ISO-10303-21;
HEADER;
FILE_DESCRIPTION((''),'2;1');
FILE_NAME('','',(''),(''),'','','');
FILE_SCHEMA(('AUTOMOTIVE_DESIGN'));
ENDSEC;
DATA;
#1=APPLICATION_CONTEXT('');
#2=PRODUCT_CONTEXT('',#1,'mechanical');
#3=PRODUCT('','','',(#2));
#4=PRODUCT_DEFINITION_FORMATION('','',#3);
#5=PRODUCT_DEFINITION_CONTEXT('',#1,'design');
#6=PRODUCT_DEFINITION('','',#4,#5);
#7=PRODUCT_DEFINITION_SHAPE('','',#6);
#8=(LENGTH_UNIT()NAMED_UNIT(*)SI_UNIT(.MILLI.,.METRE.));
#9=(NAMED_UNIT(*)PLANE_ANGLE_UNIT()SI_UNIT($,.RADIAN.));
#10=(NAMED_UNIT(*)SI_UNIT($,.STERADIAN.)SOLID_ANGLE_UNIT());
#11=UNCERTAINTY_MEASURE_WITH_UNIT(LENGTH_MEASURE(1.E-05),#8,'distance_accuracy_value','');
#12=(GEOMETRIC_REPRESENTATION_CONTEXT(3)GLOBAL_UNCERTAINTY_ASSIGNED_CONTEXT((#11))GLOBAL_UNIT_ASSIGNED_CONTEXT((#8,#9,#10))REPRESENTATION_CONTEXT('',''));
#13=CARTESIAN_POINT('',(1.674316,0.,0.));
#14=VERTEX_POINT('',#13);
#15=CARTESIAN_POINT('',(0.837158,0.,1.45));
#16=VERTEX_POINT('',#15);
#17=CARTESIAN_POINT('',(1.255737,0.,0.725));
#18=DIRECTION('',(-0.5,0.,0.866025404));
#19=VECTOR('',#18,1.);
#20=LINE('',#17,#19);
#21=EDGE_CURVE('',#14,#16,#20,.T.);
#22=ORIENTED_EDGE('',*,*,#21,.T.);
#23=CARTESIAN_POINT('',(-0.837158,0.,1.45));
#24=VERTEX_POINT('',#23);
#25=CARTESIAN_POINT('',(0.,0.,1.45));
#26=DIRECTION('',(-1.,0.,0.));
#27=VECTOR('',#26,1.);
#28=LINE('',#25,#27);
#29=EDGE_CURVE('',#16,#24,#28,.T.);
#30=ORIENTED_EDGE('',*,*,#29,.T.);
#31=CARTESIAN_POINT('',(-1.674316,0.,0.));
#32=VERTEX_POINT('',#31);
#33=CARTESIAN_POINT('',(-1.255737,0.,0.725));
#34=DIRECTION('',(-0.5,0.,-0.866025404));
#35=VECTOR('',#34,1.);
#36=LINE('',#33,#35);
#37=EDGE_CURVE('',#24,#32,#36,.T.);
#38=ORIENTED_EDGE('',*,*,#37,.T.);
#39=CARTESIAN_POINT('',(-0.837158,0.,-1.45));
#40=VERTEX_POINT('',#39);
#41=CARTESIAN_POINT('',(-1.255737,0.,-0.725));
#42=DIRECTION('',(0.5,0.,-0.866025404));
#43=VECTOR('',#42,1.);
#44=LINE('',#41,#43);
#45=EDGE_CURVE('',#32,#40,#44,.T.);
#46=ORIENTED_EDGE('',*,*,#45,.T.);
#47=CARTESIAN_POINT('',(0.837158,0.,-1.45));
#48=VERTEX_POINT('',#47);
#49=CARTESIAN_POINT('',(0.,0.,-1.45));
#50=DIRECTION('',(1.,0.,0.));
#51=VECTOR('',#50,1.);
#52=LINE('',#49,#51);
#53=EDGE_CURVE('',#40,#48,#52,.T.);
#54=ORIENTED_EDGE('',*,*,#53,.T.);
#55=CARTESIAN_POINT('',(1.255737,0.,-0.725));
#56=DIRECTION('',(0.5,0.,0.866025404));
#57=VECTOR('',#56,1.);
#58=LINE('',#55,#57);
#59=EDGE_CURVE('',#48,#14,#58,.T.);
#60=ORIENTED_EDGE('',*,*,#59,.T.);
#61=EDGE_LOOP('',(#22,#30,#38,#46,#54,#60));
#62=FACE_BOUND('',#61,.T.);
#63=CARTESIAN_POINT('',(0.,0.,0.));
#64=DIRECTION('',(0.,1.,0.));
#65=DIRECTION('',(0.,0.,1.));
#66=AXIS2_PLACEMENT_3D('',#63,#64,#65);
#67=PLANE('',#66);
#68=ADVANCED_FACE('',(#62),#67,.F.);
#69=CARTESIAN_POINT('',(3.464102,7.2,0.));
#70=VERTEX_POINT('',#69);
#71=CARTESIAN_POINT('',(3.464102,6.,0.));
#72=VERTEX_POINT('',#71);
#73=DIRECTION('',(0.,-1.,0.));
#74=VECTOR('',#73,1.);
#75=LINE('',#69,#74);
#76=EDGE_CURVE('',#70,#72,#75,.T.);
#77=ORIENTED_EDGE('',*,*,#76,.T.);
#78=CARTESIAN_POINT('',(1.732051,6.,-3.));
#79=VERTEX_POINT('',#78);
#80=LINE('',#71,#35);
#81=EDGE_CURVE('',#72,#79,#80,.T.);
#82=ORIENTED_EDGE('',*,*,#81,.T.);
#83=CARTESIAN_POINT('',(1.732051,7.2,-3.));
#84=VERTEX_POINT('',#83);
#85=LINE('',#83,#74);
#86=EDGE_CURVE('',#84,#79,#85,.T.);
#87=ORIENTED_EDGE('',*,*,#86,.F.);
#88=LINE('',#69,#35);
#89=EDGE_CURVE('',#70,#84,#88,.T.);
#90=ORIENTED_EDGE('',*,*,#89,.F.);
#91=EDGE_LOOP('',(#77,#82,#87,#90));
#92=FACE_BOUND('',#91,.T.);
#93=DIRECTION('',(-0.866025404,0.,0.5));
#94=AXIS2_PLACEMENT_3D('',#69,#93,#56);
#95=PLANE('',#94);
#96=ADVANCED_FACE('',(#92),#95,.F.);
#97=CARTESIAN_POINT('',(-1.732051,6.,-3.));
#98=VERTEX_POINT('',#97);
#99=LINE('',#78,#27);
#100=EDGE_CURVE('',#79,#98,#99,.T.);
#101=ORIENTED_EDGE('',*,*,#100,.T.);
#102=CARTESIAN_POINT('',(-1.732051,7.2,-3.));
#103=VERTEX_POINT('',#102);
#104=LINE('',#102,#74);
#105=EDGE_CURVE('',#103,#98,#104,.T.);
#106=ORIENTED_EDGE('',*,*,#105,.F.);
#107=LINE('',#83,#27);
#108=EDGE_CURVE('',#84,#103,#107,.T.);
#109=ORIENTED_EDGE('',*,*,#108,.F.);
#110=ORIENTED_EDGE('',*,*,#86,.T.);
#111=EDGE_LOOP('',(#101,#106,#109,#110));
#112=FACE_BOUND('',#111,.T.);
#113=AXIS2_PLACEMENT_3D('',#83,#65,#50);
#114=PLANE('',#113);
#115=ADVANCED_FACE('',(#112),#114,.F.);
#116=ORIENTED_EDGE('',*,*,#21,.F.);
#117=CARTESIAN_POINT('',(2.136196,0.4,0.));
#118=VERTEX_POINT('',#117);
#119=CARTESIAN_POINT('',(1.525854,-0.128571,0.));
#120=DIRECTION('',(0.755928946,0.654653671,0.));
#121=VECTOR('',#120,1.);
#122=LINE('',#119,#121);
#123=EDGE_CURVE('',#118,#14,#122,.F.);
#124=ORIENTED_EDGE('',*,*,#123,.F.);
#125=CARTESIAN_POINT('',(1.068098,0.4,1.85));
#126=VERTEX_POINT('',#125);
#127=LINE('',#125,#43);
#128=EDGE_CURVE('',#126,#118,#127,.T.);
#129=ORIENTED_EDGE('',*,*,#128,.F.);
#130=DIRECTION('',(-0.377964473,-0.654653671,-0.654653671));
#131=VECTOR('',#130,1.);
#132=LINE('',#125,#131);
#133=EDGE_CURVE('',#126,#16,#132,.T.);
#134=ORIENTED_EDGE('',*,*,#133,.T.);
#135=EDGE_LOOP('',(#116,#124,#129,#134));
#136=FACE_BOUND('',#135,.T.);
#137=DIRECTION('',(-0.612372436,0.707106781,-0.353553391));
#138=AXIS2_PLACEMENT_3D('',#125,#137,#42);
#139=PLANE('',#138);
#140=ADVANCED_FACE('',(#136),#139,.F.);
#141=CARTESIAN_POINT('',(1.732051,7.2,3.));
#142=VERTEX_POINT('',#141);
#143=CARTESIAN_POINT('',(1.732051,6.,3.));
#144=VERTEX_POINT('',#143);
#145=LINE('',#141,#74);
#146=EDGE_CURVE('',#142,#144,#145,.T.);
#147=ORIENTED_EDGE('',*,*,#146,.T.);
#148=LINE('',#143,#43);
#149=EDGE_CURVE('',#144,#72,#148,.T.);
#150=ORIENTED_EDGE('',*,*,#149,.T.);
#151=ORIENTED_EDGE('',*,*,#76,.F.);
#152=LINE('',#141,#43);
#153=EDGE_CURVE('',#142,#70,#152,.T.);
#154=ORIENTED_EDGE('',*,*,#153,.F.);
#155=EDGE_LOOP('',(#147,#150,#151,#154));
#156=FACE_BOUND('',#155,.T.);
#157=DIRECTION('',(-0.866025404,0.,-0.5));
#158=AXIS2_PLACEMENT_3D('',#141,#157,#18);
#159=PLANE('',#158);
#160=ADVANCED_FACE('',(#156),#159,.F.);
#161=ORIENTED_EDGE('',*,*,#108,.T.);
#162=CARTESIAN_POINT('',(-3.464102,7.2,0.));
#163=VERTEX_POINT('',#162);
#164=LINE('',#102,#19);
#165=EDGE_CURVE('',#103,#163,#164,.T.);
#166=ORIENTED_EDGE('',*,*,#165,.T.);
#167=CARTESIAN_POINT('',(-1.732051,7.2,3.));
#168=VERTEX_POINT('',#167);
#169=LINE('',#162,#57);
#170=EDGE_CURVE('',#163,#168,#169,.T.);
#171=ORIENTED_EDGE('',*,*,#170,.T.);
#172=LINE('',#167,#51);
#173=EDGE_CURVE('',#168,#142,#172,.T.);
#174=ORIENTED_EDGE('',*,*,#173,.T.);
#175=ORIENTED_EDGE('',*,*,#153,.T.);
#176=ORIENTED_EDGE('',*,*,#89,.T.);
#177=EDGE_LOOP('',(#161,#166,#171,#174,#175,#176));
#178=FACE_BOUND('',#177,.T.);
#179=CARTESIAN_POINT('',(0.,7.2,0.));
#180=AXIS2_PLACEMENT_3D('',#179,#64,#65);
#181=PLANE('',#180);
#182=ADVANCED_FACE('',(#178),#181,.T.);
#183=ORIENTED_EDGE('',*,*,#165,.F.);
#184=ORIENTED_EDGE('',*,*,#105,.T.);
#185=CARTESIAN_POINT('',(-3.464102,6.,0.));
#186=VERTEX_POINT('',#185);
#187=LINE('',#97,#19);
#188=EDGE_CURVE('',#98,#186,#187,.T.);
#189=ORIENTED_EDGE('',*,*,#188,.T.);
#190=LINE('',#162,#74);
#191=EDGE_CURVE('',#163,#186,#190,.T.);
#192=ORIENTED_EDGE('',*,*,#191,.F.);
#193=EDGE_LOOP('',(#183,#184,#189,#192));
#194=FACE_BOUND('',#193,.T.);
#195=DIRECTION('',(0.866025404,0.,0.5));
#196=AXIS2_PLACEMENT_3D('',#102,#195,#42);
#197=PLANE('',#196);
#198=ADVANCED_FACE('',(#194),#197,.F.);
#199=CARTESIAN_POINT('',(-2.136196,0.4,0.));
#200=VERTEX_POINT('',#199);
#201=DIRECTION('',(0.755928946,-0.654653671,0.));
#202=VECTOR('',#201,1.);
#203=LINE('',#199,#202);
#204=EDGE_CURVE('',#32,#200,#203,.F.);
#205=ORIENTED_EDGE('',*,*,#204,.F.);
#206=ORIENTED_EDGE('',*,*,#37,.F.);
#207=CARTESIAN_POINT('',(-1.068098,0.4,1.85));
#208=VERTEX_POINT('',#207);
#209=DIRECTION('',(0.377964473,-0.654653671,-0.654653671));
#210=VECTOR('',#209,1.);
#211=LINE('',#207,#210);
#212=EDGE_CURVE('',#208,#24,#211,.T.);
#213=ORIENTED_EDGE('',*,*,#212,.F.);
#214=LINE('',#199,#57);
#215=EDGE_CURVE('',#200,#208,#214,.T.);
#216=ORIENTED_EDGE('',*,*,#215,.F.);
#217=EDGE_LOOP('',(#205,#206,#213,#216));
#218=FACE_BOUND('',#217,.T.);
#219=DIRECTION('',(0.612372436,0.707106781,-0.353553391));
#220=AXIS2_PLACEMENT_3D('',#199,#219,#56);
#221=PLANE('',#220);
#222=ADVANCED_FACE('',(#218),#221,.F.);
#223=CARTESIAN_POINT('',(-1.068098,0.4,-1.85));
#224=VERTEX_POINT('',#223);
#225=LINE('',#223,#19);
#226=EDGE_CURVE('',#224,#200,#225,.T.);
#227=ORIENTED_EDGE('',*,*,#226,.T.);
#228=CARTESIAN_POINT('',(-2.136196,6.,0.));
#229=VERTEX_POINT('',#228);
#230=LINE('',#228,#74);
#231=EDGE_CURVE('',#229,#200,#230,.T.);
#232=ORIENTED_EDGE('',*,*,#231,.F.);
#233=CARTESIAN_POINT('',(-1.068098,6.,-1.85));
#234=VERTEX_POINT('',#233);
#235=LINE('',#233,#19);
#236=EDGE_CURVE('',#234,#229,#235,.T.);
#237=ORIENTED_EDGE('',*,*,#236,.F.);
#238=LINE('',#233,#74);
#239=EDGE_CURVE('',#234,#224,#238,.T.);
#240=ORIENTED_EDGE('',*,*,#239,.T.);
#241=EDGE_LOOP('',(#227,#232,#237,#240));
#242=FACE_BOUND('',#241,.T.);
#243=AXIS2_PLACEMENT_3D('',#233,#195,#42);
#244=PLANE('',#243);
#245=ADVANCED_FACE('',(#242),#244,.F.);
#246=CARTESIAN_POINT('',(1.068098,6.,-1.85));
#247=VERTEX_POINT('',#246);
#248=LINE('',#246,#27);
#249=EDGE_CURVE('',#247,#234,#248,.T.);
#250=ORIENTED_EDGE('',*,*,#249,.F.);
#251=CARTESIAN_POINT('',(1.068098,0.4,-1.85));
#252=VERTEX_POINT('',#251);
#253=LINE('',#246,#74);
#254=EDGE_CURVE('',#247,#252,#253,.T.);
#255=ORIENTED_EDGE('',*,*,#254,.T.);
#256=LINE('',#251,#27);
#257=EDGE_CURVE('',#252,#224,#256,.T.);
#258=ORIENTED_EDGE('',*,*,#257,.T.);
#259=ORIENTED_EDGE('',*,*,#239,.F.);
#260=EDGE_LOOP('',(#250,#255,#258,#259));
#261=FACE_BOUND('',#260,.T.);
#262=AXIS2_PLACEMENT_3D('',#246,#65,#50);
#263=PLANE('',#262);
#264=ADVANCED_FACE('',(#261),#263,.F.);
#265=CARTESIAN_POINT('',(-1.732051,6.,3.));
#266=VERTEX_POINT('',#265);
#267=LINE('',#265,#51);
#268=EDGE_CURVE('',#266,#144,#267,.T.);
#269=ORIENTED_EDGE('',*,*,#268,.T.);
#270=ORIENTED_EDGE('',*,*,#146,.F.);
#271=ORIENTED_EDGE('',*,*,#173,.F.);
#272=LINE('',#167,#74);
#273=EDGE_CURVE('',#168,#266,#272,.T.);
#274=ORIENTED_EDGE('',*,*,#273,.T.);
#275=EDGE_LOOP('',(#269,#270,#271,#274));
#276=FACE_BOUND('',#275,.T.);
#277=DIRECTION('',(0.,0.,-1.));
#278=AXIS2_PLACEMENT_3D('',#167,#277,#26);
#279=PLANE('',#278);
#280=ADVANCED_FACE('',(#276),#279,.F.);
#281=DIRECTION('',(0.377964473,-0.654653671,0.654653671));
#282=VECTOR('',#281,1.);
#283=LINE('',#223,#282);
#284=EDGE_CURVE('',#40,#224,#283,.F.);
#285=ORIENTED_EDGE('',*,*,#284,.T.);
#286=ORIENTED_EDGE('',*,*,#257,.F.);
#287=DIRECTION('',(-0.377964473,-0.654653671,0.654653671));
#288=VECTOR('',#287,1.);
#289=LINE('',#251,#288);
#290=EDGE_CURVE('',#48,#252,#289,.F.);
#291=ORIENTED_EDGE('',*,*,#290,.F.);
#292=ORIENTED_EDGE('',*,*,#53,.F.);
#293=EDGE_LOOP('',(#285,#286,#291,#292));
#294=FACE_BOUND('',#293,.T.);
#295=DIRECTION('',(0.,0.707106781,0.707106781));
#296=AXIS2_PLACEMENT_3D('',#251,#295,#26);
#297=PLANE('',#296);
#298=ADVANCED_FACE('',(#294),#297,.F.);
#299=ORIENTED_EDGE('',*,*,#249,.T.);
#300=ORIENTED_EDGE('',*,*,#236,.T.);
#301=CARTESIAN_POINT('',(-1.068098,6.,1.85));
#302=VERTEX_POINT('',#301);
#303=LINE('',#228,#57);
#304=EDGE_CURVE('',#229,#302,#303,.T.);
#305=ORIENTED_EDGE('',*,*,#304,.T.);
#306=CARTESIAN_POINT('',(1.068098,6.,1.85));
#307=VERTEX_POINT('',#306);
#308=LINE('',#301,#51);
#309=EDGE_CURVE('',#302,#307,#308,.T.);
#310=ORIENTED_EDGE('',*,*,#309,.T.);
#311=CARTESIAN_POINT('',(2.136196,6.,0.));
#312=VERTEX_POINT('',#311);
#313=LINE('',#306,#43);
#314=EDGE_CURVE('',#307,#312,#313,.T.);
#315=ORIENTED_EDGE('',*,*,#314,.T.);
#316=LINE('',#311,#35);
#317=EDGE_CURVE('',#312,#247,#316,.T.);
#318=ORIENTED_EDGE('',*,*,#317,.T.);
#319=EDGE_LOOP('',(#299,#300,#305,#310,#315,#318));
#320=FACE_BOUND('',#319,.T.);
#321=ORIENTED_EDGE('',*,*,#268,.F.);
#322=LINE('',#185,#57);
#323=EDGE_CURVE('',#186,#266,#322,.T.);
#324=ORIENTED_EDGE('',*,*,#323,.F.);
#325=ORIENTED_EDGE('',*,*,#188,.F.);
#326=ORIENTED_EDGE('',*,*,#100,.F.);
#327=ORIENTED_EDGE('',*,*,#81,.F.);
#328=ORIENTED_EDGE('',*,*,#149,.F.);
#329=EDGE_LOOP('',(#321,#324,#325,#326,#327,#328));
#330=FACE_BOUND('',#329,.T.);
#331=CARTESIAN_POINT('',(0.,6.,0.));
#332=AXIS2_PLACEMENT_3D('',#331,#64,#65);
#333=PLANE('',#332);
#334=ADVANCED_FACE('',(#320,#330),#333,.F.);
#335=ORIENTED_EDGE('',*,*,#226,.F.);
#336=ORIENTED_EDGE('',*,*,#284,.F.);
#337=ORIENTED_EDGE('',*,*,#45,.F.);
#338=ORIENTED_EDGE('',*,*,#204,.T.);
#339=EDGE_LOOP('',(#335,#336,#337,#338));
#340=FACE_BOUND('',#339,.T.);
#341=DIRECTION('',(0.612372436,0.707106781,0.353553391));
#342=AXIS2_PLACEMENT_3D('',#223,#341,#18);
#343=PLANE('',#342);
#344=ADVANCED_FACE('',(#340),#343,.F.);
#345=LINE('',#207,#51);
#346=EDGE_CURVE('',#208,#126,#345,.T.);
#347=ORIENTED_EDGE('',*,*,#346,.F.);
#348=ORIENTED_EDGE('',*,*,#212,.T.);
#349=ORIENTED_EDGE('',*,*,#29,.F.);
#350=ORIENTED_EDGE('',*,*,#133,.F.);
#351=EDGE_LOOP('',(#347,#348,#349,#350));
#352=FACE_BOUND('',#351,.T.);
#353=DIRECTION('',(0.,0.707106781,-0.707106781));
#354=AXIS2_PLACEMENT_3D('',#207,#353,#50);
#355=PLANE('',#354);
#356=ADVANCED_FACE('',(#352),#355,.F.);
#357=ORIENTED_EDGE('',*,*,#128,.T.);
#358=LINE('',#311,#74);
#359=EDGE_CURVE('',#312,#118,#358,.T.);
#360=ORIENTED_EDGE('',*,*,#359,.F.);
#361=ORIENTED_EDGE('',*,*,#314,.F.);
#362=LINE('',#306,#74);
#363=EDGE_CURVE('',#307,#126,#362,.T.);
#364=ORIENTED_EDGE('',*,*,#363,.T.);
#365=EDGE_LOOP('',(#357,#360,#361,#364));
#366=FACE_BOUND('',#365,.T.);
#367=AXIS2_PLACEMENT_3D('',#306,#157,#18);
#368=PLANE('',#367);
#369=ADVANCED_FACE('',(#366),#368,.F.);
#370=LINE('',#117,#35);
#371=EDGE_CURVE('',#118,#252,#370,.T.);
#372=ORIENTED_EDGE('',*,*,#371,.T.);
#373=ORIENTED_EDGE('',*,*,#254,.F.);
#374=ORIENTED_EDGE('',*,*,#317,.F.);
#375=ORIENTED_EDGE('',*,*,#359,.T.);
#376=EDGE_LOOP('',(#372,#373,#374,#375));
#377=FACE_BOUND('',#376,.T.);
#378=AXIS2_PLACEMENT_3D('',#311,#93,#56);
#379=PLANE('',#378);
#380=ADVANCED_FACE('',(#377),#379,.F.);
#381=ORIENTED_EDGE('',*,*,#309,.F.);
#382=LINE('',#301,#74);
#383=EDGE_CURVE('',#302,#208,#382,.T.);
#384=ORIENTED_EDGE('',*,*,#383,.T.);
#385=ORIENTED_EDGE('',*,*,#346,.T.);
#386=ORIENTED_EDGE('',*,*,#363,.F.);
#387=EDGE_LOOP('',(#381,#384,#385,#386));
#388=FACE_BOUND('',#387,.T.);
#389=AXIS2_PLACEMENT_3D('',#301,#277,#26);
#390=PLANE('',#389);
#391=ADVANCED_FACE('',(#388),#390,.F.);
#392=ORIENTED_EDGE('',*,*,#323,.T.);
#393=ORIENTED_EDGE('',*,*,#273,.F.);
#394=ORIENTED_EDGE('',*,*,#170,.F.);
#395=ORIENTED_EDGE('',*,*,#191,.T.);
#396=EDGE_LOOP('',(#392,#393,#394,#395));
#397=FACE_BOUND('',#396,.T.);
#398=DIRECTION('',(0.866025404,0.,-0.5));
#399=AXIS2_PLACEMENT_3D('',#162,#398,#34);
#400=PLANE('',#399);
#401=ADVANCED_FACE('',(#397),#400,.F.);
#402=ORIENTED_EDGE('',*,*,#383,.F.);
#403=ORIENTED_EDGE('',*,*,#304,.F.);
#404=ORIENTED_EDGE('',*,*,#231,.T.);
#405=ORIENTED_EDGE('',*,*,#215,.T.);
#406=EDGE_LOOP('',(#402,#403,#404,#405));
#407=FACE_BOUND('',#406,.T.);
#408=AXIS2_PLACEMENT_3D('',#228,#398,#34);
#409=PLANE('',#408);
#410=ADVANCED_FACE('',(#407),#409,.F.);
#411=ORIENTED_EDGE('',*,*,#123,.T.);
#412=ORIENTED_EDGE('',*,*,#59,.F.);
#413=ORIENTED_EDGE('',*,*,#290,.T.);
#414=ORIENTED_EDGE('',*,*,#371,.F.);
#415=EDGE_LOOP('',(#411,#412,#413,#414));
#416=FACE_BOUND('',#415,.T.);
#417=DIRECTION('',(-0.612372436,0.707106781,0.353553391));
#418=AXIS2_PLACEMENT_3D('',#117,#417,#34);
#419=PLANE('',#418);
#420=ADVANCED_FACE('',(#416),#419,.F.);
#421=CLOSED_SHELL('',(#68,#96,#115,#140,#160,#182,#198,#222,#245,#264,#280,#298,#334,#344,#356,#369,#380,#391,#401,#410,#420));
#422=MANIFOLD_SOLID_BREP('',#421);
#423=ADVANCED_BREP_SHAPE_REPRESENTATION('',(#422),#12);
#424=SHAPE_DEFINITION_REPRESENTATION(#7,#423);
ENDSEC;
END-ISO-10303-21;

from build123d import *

# Parameters (mm, degrees)
BOSS_EXTRUDE1_DEPTH = 6
BOSS_EXTRUDE2_DEPTH = 1.2
CHAMFER1_SIZE       = 0.4


with BuildPart() as part:
    # Sketch1 → Boss-Extrude1 (new body)
    with BuildSketch(Plane(origin=(0, 0, 0), x_dir=(1, 0, 0), z_dir=(0, 1, 0))):
        Polygon((2.136195996, 0), (1.068097998, 1.85), (-1.068097998, 1.85), (-2.136195996, 0), (-1.068097998, -1.85), (1.068097998, -1.85), align=None)
    extrude(amount=BOSS_EXTRUDE1_DEPTH)

    # Sketch2 → Boss-Extrude2 (add)
    with BuildSketch(Plane(origin=(0, 6, 0), x_dir=(1, 0, 0), z_dir=(0, 1, 0))):
        Polygon((3.464101615, 0), (1.732050808, 3), (-1.732050808, 3), (-3.464101615, 0), (-1.732050808, -3), (1.732050808, -3), align=None)
    extrude(amount=BOSS_EXTRUDE2_DEPTH)

    # Chamfer1
    chamfer1_edges = [part.edges().sort_by_distance(p)[0] for p in [
        (0, 0, 1.85),
        (-1.602146997, 0, 0.925),
        (-1.602146997, 0, -0.925),
        (0, 0, -1.85),
        (1.602146997, 0, -0.925),
        (1.602146997, 0, 0.925),
    ]]
    chamfer(chamfer1_edges, length=CHAMFER1_SIZE)


solid = part.part
